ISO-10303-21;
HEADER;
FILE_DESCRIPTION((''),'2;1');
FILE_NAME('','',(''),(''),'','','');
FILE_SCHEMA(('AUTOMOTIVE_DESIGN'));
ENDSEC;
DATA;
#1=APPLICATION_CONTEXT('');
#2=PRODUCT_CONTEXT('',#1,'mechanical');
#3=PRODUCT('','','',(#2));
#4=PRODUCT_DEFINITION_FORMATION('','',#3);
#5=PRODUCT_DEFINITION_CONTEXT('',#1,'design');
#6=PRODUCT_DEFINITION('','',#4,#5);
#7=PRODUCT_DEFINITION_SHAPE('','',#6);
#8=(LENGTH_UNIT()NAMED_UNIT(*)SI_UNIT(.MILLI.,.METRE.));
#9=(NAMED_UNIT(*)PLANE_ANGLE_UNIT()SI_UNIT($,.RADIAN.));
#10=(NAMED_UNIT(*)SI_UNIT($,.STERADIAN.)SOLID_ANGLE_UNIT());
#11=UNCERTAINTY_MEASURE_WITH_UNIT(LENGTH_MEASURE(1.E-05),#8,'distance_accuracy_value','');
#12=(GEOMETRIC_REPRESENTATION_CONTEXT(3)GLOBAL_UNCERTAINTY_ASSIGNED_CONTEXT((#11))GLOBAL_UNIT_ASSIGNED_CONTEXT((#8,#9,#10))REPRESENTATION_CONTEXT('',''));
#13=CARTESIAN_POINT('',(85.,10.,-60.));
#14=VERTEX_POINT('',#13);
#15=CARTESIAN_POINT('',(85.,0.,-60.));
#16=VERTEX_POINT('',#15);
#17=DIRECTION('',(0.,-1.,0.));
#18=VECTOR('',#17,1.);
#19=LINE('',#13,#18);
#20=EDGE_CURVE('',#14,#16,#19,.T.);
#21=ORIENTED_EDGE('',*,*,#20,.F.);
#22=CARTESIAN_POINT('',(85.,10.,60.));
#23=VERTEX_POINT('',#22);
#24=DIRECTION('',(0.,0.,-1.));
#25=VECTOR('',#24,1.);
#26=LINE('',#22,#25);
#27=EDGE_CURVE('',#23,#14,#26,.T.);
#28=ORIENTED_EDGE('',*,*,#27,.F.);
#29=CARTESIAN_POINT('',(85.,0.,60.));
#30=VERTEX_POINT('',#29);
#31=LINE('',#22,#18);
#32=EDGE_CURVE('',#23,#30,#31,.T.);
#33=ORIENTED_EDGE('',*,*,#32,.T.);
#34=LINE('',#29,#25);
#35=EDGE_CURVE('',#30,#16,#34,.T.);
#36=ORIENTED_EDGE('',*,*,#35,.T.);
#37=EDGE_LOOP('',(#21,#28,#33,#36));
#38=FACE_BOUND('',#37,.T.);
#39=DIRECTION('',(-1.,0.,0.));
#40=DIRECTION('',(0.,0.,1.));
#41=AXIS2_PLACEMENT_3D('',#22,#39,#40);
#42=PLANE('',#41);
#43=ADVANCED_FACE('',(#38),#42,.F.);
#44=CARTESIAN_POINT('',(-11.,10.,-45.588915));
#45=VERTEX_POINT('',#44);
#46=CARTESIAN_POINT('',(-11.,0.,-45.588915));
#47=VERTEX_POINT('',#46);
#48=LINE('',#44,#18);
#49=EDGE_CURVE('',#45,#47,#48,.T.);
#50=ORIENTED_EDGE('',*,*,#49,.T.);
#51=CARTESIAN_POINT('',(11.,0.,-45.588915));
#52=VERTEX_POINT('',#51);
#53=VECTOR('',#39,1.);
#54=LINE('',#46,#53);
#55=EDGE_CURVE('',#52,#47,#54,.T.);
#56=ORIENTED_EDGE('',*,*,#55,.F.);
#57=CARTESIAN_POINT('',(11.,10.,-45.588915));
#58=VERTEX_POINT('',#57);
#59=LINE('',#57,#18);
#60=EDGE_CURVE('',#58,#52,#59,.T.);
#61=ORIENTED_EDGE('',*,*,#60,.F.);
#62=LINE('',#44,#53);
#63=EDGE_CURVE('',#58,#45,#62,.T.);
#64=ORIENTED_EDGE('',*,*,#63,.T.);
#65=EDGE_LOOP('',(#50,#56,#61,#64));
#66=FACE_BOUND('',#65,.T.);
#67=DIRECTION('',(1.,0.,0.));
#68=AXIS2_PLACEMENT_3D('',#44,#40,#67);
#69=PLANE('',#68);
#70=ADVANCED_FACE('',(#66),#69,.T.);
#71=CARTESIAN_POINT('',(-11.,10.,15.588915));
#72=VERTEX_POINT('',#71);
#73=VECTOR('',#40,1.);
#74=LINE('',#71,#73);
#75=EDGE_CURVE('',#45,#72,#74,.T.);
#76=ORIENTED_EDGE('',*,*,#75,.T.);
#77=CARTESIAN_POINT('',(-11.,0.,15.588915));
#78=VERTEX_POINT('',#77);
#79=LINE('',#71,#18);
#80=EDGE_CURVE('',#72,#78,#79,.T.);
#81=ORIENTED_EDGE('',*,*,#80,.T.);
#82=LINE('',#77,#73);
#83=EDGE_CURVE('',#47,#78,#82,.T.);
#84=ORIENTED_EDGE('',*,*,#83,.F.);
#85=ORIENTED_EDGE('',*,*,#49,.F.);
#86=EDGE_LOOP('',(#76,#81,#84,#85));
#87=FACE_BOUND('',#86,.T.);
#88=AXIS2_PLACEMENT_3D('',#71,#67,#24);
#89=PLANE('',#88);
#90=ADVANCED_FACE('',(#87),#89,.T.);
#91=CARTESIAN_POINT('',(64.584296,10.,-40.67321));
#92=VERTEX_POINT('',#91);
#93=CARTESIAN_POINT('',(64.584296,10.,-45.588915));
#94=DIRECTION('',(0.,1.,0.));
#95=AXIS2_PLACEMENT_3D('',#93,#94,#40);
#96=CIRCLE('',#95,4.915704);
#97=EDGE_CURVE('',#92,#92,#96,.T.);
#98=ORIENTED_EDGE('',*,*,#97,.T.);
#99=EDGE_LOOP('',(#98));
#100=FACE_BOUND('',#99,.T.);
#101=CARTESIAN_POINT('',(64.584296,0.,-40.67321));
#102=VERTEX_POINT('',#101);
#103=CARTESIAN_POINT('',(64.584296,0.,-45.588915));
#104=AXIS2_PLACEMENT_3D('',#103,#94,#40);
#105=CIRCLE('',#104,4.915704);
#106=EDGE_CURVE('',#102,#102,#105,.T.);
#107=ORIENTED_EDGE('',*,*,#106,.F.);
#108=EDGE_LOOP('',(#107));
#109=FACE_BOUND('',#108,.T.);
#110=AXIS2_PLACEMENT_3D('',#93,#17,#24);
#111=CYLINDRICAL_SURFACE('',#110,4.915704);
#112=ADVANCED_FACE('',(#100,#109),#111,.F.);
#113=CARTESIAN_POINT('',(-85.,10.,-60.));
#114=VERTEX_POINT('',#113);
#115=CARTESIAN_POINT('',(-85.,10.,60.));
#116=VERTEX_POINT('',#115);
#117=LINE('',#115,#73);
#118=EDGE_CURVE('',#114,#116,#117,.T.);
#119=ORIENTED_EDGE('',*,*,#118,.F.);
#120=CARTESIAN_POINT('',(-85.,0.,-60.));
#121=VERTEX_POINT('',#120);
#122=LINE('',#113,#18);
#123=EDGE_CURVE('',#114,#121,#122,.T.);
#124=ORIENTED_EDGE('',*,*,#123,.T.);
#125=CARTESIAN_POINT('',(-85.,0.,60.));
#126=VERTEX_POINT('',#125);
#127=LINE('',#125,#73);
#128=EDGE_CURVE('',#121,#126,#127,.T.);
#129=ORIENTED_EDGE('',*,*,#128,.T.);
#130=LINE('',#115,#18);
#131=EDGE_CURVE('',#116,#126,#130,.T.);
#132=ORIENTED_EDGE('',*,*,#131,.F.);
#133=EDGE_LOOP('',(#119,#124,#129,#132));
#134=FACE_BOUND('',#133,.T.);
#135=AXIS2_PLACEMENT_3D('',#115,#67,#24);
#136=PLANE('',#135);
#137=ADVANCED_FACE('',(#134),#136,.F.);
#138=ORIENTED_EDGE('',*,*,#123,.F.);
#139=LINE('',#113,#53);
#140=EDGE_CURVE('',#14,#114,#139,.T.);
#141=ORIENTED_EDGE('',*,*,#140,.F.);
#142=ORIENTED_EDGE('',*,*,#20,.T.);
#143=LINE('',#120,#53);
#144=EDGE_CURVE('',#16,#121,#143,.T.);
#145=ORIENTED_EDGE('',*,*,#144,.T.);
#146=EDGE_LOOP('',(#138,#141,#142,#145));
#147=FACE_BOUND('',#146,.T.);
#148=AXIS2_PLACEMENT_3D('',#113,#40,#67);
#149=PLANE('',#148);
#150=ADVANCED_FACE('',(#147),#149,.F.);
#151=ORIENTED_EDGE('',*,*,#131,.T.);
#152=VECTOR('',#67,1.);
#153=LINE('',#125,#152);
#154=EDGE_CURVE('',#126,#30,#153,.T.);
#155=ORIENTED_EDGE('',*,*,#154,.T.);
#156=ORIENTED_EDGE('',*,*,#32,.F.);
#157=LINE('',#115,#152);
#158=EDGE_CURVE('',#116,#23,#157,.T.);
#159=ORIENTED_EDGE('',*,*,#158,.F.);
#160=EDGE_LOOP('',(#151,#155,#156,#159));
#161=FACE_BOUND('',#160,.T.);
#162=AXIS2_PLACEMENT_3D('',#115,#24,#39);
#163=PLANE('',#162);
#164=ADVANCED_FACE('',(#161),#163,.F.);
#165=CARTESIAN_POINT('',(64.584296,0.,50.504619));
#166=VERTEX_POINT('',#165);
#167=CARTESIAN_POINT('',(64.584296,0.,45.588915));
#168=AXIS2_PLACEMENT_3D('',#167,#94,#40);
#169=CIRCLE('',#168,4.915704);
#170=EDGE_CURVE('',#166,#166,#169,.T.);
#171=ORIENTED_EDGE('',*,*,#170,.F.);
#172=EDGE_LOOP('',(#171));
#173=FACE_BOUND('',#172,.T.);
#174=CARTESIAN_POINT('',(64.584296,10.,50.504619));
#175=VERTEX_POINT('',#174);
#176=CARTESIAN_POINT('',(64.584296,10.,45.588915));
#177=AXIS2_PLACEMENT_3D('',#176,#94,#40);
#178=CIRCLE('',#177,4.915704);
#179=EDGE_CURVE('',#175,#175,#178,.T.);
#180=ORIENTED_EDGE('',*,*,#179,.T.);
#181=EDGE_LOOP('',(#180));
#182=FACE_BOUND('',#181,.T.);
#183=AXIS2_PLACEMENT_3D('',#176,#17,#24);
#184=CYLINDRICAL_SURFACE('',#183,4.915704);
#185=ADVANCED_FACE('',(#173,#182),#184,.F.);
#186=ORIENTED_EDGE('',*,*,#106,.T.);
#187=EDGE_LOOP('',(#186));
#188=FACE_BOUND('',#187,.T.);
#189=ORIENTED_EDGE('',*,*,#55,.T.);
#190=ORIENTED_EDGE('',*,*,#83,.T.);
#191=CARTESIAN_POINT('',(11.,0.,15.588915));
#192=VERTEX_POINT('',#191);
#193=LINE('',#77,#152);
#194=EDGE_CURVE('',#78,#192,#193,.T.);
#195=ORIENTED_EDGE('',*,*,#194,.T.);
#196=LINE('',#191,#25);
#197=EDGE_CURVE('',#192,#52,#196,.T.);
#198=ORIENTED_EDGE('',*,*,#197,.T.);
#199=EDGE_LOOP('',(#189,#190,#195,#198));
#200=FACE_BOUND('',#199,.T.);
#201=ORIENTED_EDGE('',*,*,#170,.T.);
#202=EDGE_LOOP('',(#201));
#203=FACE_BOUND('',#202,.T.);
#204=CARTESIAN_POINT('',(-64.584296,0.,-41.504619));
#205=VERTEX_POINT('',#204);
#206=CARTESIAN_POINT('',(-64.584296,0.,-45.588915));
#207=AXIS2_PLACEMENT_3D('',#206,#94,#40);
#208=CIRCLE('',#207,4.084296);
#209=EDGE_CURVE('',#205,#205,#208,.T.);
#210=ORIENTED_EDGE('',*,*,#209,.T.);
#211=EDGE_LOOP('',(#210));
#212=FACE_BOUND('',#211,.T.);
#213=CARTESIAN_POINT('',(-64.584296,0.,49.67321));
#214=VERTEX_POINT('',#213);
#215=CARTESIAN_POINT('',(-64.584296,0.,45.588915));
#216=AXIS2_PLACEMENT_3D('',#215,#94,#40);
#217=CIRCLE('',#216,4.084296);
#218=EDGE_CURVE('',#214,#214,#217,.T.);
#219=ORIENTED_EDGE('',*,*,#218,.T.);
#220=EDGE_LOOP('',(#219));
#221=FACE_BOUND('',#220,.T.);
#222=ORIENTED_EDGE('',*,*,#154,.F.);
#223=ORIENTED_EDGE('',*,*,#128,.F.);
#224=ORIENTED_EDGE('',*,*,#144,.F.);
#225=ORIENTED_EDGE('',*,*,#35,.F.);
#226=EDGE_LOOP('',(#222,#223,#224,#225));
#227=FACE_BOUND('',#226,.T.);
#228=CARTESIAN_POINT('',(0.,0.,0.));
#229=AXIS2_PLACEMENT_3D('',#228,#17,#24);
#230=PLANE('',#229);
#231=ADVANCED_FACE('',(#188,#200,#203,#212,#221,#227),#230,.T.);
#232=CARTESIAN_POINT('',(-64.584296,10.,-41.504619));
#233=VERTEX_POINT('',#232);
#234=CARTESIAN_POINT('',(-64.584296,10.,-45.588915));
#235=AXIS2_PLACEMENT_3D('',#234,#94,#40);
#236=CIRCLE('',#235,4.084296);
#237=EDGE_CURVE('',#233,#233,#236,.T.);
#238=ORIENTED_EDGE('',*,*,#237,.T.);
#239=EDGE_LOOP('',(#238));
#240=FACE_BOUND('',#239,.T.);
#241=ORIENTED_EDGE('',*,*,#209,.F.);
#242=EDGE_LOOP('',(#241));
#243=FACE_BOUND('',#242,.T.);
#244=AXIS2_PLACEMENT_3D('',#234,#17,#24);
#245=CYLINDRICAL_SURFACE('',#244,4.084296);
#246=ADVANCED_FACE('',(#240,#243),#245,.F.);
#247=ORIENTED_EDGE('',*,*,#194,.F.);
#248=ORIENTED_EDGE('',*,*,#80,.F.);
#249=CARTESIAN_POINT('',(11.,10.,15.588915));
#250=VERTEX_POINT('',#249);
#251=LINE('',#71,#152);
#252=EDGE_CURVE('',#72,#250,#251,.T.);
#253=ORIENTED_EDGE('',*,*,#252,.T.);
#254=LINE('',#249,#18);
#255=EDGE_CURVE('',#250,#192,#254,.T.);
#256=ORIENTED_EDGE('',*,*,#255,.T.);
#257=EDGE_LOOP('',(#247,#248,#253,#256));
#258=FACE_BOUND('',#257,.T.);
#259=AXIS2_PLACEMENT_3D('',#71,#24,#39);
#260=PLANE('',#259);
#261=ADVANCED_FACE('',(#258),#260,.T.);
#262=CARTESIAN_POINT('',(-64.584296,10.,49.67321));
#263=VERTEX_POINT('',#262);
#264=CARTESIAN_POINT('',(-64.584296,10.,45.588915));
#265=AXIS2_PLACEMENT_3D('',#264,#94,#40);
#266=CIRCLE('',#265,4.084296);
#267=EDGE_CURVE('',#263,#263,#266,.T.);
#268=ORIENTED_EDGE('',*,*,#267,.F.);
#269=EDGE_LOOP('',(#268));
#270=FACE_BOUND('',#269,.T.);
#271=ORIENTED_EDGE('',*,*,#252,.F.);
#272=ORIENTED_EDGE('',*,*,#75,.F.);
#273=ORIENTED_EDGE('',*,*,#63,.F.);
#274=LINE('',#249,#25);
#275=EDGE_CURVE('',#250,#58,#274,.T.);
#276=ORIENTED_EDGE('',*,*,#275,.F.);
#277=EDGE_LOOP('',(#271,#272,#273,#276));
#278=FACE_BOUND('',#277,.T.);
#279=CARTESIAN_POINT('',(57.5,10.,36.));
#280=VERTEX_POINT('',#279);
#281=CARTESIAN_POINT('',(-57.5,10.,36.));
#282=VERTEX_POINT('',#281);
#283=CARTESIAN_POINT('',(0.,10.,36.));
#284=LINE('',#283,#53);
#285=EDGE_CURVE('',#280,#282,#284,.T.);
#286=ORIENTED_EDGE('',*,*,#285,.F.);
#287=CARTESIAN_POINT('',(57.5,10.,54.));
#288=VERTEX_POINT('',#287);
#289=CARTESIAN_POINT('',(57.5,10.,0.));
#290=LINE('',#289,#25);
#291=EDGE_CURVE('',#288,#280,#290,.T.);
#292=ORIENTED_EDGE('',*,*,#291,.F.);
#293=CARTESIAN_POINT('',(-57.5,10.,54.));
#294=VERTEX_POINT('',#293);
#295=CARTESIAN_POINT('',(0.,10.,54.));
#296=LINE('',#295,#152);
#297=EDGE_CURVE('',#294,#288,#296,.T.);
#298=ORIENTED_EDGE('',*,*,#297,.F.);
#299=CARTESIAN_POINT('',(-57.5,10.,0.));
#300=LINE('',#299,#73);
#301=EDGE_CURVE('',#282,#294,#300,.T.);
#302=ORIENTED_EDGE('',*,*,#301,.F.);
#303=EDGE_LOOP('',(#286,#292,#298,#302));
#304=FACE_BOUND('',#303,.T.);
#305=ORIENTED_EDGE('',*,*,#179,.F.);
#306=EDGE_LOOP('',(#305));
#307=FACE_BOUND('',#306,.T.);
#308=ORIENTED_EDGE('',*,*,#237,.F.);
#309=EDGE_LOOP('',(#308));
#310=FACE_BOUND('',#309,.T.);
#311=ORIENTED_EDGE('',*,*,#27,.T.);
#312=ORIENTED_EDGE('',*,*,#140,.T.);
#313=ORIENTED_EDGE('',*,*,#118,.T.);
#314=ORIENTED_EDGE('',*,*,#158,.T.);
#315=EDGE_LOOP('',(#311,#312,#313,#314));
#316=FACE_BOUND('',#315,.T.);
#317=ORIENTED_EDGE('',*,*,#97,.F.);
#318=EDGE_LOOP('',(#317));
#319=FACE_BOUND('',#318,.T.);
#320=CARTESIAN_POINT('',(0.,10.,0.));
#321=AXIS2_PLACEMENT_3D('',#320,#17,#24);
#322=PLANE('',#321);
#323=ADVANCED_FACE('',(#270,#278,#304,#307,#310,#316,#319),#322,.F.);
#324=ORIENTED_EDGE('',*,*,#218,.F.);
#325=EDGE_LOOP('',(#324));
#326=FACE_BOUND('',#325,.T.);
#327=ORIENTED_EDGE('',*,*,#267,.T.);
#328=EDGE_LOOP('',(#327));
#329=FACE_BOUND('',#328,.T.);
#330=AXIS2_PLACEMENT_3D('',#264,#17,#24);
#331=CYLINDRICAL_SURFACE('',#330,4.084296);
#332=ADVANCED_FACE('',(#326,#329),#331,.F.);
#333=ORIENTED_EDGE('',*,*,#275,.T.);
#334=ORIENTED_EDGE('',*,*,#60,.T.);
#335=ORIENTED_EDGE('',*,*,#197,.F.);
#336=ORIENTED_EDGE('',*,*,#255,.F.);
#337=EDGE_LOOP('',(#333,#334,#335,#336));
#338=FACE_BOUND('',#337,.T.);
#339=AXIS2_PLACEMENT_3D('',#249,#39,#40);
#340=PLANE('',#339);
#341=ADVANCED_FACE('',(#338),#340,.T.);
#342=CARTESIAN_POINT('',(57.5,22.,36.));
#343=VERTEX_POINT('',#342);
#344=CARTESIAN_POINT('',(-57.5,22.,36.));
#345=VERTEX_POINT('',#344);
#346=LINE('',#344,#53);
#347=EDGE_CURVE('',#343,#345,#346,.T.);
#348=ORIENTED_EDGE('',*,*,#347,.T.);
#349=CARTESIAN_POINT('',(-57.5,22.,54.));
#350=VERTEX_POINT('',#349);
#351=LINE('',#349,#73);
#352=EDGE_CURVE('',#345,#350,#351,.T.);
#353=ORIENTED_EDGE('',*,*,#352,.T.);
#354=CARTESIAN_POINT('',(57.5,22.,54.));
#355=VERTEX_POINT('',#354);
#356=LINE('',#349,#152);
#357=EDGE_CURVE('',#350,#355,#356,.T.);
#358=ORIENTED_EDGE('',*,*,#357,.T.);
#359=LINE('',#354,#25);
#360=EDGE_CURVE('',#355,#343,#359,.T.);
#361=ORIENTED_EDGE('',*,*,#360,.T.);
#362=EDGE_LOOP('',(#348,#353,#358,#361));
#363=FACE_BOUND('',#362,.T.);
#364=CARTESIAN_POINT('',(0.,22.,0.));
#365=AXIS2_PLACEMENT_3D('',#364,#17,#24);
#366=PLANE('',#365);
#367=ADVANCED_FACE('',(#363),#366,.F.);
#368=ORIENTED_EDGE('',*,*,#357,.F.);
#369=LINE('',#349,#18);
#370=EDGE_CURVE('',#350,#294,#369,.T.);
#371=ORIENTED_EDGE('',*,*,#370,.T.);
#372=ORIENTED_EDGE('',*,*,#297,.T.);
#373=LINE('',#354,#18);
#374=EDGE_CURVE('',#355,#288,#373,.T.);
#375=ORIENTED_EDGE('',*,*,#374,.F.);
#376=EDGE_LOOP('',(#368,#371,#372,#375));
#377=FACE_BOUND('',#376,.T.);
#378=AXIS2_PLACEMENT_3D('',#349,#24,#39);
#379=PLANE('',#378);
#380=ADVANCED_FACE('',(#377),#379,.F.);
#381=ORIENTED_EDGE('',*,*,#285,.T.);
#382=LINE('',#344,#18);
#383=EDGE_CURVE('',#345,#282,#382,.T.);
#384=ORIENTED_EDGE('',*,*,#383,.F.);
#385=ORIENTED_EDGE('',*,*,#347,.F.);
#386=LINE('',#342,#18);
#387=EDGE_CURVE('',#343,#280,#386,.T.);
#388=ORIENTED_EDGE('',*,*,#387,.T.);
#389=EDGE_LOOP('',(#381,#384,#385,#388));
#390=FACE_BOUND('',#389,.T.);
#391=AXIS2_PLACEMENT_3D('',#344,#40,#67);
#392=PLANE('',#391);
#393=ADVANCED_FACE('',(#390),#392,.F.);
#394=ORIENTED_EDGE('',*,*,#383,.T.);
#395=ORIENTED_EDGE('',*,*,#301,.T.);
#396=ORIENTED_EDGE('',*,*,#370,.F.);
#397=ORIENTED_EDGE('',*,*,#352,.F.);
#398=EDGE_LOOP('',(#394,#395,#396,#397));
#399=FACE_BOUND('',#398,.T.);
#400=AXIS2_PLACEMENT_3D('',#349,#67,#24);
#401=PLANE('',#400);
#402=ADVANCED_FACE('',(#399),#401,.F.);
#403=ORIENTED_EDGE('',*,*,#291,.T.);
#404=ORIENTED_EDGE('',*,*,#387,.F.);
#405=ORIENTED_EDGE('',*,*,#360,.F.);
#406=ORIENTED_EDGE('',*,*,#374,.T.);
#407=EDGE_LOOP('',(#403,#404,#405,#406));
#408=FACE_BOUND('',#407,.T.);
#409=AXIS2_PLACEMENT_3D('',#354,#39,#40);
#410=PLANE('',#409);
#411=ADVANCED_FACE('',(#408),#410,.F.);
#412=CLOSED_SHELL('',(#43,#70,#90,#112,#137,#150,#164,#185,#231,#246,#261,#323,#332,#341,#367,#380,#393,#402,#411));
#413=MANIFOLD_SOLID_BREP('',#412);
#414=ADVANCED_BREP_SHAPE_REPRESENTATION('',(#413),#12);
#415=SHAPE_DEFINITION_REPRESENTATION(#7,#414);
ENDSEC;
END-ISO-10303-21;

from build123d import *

# Parameters (mm, degrees)
F_01_BASE_PROFILE_W           = 170
F_01_BASE_PROFILE_H           = 120
F_01_BASE_PROFILE_R           = 4.084295612
F_01_BASE_PROFILE_R_2         = 4.915704388
F_01_BASE_PROFILE_W_2         = 22
F_01_BASE_PROFILE_H_2         = 61.1778291
F_01_BASE_EXTRUDE_DEPTH       = 10
F_02_BOSS_PROFILE_W           = 115
F_02_BOSS_PROFILE_H           = 18
F_02_REINFORCEMENT_BOSS_DEPTH = 22


with BuildPart() as part:
    # 01_Base_Profile → 01_Base_Extrude (new body)
    with BuildSketch(Plane(origin=(0, 0, 0), x_dir=(1, 0, 0), z_dir=(0, 1, 0))):
        Rectangle(F_01_BASE_PROFILE_W, F_01_BASE_PROFILE_H)
        with Locations(Location((-64.584295612, -45.58891455, 0), (0, 0, 270))):
            Circle(F_01_BASE_PROFILE_R, mode=Mode.SUBTRACT)
        with Locations(Location((64.584295612, -45.58891455, 0), (0, 0, 270))):
            Circle(F_01_BASE_PROFILE_R_2, mode=Mode.SUBTRACT)
        with Locations(Location((-64.584295612, 45.58891455, 0), (0, 0, 270))):
            Circle(F_01_BASE_PROFILE_R, mode=Mode.SUBTRACT)
        with Locations(Location((64.584295612, 45.58891455, 0), (0, 0, 270))):
            Circle(F_01_BASE_PROFILE_R_2, mode=Mode.SUBTRACT)
        with Locations((0, 15)):
            Rectangle(F_01_BASE_PROFILE_W_2, F_01_BASE_PROFILE_H_2, mode=Mode.SUBTRACT)
    extrude(amount=F_01_BASE_EXTRUDE_DEPTH)

    # 02_Boss_Profile → 02_Reinforcement_Boss (add)
    with BuildSketch(Plane(origin=(0, 0, 0), x_dir=(1, 0, 0), z_dir=(0, 1, 0))):
        with Locations((0, -45)):
            Rectangle(F_02_BOSS_PROFILE_W, F_02_BOSS_PROFILE_H)
    extrude(amount=F_02_REINFORCEMENT_BOSS_DEPTH)


solid = part.part
